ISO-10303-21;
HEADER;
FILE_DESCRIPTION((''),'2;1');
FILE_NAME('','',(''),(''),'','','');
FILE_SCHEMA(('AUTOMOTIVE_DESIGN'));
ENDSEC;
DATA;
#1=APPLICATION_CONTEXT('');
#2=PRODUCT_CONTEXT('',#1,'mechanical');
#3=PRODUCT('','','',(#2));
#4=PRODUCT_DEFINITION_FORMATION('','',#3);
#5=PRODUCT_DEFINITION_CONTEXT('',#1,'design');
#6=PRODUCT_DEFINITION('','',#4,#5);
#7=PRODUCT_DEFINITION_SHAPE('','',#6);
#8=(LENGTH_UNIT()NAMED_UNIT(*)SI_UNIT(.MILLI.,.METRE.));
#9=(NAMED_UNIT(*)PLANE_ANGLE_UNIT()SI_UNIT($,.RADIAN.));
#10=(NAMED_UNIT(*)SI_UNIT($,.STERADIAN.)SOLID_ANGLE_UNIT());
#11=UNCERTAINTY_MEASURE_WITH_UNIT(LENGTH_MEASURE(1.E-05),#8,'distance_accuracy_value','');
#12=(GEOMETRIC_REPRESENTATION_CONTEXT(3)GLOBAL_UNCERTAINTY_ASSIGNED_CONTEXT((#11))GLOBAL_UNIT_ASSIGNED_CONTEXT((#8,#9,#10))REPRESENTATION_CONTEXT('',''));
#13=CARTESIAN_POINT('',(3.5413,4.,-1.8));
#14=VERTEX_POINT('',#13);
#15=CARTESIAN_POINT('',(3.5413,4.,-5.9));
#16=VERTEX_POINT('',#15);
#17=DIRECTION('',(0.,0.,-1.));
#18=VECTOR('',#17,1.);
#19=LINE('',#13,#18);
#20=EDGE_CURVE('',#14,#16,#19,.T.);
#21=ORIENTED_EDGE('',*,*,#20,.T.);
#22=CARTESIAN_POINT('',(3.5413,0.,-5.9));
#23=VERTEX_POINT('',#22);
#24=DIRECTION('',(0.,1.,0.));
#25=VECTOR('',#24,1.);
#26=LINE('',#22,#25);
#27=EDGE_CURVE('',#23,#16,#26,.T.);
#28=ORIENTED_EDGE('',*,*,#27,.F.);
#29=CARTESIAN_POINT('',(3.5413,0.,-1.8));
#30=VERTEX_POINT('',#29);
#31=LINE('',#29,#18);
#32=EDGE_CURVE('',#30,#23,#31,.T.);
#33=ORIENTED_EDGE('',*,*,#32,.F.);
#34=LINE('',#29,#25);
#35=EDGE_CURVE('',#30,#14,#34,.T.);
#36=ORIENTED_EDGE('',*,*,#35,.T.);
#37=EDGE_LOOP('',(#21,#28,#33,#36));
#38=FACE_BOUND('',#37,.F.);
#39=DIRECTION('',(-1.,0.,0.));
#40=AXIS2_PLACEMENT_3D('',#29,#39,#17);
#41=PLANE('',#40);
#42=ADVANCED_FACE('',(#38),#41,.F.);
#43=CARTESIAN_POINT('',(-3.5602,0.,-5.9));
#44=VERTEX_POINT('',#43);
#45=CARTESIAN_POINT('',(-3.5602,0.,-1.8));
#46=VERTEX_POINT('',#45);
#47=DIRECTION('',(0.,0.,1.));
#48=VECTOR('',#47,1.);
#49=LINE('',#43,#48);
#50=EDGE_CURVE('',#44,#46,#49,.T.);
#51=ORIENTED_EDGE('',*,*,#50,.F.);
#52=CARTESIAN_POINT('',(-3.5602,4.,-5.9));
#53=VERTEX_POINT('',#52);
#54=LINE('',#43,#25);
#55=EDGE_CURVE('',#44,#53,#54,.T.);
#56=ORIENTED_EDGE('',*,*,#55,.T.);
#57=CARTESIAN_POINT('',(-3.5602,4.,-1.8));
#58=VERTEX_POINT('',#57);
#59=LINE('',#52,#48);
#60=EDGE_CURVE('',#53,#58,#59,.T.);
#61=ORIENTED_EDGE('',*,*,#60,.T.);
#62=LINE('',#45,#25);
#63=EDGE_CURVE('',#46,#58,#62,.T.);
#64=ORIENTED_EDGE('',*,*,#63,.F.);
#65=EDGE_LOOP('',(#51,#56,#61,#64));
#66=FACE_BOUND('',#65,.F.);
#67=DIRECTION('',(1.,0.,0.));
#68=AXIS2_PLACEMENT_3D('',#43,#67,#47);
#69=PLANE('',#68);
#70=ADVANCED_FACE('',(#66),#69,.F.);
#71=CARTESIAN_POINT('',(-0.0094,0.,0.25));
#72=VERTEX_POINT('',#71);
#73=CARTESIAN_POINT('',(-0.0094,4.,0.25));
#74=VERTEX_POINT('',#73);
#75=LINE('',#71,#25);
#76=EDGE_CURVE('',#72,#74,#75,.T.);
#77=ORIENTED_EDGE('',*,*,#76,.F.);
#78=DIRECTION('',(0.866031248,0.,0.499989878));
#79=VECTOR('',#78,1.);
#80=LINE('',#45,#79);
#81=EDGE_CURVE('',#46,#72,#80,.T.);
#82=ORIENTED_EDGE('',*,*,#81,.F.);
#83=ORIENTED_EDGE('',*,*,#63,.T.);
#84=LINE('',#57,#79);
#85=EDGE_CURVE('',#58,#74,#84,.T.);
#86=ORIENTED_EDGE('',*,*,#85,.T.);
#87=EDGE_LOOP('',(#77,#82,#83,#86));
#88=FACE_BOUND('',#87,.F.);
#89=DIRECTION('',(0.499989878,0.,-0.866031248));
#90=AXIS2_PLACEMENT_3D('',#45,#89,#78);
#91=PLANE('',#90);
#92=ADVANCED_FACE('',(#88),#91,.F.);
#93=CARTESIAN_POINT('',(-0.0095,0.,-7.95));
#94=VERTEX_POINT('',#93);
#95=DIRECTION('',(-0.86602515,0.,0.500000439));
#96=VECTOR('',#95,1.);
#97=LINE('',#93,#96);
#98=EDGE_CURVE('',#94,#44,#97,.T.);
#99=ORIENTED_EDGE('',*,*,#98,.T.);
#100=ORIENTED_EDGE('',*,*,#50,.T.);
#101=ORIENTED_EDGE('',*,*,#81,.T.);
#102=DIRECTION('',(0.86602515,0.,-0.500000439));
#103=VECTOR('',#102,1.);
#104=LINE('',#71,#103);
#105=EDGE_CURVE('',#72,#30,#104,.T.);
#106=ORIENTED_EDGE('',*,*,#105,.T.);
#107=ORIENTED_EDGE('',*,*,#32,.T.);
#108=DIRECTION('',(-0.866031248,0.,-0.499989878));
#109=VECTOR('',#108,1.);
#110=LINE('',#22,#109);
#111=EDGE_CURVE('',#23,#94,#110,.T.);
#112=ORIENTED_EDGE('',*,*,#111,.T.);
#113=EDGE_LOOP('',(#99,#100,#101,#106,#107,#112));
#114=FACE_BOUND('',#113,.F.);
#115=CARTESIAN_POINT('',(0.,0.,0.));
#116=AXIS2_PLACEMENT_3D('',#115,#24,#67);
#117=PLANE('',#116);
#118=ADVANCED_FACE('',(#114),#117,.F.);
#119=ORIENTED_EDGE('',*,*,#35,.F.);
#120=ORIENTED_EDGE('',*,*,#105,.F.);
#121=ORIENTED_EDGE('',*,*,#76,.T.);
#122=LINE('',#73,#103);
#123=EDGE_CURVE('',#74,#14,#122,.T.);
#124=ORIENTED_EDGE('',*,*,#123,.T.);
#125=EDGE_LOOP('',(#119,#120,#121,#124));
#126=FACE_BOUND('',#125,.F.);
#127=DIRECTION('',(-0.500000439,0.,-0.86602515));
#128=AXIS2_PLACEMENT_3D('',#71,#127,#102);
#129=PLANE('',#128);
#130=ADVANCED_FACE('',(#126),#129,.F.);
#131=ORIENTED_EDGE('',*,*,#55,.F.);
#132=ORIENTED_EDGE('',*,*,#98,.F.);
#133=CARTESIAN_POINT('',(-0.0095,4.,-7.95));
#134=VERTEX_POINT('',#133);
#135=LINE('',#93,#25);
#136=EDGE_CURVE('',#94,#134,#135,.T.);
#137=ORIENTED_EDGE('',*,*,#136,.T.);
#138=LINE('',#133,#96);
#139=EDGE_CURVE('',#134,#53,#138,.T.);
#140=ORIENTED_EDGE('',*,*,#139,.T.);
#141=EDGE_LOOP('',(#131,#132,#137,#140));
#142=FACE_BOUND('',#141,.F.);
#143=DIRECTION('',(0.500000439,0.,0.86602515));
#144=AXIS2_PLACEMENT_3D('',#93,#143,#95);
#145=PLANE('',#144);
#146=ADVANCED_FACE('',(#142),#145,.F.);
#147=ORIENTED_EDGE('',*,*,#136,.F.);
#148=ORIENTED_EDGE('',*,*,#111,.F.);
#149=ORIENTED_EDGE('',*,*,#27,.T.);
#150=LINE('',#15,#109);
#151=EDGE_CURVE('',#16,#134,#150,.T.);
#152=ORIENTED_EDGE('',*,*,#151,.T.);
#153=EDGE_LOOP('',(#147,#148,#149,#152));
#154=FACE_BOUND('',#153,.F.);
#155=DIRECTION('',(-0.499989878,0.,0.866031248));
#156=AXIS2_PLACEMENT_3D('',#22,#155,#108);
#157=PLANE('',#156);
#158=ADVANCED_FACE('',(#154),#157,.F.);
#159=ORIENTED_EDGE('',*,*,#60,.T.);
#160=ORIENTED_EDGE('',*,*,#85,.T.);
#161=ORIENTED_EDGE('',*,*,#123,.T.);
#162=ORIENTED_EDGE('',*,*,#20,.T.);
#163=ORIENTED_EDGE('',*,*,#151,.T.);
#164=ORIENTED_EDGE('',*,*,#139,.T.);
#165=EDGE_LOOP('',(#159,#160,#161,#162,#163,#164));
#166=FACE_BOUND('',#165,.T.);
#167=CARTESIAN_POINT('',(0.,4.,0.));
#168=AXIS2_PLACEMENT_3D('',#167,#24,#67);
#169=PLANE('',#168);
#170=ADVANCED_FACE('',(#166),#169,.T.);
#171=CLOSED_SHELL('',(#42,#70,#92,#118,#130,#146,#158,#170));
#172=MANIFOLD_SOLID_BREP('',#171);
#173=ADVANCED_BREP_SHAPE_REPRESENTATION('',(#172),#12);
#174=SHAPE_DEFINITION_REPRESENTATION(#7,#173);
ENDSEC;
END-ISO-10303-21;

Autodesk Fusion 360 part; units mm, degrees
sketch "Skizze1" plane through (0, 0, 0) normal (0, 1, 0) x (1, 0, 0)
  line L0 (0, 7.7) -> (0, 0)
  line L1 (0, 7.7) -> (0.0094, 3.85)
  line L2 (0, 7.7) -> (0, 0)
  line L3 (-0.0094, -0.25) -> (3.5413, 1.8)
  line L4 (3.5413, 1.8) -> (3.5413, 5.9)
  line L5 (3.5413, 5.9) -> (-0.0095, 7.95)
  line L6 (-0.0095, 7.95) -> (-3.5602, 5.9)
  line L7 (-3.5602, 5.9) -> (-3.5602, 1.8)
  line L8 (-3.5602, 1.8) -> (-0.0094, -0.25)
  point P0 (0.0094, 3.85)
  point P1 (-0.0094, 3.85)
  dimension "d1" = 7.7
  dimension "d3" = 3.85
  dimension "d4" = 7.7
  dimension "d5" = 4.1
  dimension "d6" = 4.1
  dimension "d7" = 4.1
  dimension "d8" = 4.1
  dimension "d9" = 4.1
  dimension "d10" = 4.1
extrude "Extrusion1" add sketch "Skizze1" along normal blind 4 makes body 1
copy_body "Körper->Berechn1" bodies 1 removing the originals makes body 2 in component "Component"
component "Component" placed x (1, 0, 0) y (0, 1, 0) z (0, 0, 1) at (0, 0, 0)
